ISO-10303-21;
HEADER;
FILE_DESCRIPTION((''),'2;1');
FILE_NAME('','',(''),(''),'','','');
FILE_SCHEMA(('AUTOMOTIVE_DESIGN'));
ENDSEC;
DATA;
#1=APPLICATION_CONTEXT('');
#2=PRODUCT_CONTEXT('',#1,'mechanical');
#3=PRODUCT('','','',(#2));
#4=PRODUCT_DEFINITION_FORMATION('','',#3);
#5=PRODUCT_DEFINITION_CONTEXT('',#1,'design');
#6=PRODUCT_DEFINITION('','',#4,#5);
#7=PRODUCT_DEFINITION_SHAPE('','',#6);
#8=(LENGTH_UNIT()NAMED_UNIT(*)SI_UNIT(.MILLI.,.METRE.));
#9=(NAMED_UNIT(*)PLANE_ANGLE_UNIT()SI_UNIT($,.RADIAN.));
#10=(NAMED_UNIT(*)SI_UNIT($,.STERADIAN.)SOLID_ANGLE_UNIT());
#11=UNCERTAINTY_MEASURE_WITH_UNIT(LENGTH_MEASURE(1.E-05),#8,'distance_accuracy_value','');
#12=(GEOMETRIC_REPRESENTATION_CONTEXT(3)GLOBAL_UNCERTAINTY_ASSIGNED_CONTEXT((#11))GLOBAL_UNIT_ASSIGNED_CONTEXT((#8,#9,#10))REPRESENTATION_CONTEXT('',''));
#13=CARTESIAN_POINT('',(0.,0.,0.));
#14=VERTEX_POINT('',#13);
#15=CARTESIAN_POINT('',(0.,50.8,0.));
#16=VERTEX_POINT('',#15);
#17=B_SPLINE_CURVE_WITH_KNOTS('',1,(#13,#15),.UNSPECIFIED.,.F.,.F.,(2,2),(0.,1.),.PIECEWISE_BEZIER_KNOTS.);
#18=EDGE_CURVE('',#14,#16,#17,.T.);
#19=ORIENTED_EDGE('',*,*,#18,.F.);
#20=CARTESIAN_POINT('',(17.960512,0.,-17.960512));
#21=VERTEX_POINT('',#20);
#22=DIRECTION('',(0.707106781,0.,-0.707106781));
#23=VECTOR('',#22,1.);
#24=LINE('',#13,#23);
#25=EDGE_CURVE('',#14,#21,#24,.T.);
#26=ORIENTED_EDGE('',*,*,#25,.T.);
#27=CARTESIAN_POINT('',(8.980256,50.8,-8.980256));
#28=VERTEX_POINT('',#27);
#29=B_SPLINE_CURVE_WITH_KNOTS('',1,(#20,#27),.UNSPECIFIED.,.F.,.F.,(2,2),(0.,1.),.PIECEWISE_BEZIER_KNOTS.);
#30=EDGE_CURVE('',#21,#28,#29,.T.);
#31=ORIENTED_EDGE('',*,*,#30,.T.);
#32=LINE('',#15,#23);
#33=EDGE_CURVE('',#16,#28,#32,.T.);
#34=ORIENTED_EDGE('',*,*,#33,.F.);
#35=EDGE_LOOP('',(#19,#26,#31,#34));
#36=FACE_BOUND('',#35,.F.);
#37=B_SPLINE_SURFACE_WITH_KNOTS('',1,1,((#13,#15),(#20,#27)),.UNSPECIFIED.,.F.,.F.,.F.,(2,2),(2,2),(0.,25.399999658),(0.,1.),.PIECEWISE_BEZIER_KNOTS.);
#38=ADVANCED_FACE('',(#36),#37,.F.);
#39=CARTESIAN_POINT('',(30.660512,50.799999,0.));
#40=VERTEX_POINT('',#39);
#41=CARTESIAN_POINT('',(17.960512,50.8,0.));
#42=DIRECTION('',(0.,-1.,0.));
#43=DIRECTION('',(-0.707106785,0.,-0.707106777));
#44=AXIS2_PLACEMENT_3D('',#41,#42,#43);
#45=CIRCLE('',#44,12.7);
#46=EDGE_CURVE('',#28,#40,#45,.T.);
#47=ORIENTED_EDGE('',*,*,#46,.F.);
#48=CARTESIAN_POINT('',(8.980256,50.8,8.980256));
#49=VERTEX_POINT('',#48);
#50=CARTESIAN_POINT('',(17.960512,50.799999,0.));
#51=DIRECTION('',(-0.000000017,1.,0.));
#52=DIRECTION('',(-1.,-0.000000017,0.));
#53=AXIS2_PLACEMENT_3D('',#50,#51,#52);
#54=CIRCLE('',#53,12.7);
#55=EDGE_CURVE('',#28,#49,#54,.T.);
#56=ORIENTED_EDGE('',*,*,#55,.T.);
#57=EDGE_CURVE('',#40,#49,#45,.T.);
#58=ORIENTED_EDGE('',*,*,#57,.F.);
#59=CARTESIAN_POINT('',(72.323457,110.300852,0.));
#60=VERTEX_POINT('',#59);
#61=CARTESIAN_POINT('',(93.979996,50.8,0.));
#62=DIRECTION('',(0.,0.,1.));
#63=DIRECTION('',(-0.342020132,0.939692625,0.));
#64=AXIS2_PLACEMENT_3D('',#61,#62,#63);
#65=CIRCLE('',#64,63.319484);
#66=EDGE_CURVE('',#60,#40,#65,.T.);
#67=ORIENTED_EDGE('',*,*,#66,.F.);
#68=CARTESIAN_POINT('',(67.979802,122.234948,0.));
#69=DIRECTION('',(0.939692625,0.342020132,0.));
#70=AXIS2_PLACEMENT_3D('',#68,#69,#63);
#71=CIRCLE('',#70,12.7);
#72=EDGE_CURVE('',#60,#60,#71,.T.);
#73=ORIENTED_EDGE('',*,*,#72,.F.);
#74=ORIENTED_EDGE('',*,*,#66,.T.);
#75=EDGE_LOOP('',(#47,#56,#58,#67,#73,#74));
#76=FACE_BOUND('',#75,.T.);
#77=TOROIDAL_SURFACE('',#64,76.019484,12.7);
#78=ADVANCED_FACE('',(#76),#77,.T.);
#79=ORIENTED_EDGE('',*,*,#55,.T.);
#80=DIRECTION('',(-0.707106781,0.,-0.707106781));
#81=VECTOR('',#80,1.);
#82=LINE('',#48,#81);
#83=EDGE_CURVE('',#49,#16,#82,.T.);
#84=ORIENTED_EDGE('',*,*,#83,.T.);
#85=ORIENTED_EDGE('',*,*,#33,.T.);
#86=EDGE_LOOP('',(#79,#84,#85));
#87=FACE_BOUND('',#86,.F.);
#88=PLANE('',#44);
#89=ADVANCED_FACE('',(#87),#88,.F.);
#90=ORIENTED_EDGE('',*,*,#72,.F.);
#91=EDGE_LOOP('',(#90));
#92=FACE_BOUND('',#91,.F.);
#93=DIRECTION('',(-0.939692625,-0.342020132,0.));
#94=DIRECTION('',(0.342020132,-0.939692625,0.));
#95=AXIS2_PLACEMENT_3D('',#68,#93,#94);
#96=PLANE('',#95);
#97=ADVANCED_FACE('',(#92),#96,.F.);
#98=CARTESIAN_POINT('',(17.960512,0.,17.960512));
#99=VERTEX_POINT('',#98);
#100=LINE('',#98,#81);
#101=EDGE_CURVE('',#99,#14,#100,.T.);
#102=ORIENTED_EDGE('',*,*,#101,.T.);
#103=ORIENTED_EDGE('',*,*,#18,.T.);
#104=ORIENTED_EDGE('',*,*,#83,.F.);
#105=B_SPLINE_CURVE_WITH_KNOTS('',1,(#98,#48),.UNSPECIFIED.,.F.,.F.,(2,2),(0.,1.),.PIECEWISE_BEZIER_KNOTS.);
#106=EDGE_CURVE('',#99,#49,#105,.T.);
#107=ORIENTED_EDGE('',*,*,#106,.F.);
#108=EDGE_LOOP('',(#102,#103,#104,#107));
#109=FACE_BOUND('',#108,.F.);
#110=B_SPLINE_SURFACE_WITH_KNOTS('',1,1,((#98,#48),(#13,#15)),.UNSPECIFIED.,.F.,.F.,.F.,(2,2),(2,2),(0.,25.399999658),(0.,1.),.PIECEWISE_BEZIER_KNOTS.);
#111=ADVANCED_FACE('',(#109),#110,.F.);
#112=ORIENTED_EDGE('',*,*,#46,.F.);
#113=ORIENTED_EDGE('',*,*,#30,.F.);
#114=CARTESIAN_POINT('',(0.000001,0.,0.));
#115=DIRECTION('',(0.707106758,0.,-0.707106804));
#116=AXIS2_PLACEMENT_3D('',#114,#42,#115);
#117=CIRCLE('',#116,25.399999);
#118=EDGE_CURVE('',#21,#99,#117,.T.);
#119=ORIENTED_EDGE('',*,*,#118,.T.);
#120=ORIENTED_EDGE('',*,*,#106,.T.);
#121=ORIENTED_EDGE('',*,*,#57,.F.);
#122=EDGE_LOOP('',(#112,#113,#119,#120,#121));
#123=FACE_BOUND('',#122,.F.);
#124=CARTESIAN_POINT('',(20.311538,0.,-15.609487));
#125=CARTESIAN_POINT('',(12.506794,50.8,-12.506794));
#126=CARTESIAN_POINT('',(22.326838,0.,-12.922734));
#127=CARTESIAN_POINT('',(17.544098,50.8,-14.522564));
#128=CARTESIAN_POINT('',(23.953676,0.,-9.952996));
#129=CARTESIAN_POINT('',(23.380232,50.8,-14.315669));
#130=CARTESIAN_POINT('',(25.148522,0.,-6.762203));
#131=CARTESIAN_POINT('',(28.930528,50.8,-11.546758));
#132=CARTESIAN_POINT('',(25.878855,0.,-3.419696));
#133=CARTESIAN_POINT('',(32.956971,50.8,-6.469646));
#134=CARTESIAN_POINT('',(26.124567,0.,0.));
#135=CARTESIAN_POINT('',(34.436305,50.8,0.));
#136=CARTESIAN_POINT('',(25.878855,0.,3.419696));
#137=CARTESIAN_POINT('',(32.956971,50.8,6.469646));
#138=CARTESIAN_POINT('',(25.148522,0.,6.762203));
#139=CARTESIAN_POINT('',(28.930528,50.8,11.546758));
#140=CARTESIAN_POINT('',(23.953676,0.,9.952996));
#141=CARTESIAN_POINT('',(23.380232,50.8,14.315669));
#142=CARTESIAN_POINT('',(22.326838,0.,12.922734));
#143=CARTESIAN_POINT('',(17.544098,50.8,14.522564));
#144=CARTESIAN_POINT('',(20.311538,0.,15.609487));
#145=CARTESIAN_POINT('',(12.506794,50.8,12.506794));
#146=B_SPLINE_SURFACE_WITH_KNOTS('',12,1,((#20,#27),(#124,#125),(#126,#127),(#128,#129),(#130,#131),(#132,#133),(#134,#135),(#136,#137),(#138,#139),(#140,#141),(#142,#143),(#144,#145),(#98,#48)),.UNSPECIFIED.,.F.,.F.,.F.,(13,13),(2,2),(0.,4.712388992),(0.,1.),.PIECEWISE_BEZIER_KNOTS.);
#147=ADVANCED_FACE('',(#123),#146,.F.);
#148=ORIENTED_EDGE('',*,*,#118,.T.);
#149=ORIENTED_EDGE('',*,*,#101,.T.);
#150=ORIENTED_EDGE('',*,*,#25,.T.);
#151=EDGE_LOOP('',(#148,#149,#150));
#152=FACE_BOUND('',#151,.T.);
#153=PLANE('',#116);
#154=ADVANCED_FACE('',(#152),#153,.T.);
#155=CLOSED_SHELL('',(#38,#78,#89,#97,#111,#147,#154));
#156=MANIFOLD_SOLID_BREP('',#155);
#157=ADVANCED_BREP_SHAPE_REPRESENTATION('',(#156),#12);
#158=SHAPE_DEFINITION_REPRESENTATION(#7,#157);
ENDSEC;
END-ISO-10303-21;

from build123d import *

# Parameters (mm, degrees)
F2_R = 12.7


with BuildPart() as f5:
    # F0 (on Front) → F5 section 0
    with BuildSketch(Plane.XZ):
        with BuildLine():
            Line((0, 0), (17.960512, -17.960512))
            ThreePointArc((17.960512, -17.960512), (25.4, 0), (17.960512, 17.960512))
            Line((17.960512, 17.960512), (0, 0))
        make_face()
    # F4 (on offset) → F5 section 1
    with BuildSketch(Plane.XZ.offset(-50.8)):
        with BuildLine():
            Line((0, 0), (8.980256, -8.980256))
            ThreePointArc((8.980256, -8.980256), (30.660512, 0), (8.980256, 8.980256))
            Line((8.980256, 8.980256), (0, 0))
        make_face()
    loft()

    # F6: sweep along a path in F3
    with BuildLine(Plane.XY) as f6_path:
        ThreePointArc((67.918062, 122.404577), (31.560611, 94.506524), (17.779997, 50.799999))
    # F2 (on offset) → F6 (sweep)
    with BuildSketch(Plane.XZ.offset(-50.8)):
        with Locations((17.960512, 0)):
            Circle(F2_R)
    sweep(path=f6_path.line)


solid = f5.part
